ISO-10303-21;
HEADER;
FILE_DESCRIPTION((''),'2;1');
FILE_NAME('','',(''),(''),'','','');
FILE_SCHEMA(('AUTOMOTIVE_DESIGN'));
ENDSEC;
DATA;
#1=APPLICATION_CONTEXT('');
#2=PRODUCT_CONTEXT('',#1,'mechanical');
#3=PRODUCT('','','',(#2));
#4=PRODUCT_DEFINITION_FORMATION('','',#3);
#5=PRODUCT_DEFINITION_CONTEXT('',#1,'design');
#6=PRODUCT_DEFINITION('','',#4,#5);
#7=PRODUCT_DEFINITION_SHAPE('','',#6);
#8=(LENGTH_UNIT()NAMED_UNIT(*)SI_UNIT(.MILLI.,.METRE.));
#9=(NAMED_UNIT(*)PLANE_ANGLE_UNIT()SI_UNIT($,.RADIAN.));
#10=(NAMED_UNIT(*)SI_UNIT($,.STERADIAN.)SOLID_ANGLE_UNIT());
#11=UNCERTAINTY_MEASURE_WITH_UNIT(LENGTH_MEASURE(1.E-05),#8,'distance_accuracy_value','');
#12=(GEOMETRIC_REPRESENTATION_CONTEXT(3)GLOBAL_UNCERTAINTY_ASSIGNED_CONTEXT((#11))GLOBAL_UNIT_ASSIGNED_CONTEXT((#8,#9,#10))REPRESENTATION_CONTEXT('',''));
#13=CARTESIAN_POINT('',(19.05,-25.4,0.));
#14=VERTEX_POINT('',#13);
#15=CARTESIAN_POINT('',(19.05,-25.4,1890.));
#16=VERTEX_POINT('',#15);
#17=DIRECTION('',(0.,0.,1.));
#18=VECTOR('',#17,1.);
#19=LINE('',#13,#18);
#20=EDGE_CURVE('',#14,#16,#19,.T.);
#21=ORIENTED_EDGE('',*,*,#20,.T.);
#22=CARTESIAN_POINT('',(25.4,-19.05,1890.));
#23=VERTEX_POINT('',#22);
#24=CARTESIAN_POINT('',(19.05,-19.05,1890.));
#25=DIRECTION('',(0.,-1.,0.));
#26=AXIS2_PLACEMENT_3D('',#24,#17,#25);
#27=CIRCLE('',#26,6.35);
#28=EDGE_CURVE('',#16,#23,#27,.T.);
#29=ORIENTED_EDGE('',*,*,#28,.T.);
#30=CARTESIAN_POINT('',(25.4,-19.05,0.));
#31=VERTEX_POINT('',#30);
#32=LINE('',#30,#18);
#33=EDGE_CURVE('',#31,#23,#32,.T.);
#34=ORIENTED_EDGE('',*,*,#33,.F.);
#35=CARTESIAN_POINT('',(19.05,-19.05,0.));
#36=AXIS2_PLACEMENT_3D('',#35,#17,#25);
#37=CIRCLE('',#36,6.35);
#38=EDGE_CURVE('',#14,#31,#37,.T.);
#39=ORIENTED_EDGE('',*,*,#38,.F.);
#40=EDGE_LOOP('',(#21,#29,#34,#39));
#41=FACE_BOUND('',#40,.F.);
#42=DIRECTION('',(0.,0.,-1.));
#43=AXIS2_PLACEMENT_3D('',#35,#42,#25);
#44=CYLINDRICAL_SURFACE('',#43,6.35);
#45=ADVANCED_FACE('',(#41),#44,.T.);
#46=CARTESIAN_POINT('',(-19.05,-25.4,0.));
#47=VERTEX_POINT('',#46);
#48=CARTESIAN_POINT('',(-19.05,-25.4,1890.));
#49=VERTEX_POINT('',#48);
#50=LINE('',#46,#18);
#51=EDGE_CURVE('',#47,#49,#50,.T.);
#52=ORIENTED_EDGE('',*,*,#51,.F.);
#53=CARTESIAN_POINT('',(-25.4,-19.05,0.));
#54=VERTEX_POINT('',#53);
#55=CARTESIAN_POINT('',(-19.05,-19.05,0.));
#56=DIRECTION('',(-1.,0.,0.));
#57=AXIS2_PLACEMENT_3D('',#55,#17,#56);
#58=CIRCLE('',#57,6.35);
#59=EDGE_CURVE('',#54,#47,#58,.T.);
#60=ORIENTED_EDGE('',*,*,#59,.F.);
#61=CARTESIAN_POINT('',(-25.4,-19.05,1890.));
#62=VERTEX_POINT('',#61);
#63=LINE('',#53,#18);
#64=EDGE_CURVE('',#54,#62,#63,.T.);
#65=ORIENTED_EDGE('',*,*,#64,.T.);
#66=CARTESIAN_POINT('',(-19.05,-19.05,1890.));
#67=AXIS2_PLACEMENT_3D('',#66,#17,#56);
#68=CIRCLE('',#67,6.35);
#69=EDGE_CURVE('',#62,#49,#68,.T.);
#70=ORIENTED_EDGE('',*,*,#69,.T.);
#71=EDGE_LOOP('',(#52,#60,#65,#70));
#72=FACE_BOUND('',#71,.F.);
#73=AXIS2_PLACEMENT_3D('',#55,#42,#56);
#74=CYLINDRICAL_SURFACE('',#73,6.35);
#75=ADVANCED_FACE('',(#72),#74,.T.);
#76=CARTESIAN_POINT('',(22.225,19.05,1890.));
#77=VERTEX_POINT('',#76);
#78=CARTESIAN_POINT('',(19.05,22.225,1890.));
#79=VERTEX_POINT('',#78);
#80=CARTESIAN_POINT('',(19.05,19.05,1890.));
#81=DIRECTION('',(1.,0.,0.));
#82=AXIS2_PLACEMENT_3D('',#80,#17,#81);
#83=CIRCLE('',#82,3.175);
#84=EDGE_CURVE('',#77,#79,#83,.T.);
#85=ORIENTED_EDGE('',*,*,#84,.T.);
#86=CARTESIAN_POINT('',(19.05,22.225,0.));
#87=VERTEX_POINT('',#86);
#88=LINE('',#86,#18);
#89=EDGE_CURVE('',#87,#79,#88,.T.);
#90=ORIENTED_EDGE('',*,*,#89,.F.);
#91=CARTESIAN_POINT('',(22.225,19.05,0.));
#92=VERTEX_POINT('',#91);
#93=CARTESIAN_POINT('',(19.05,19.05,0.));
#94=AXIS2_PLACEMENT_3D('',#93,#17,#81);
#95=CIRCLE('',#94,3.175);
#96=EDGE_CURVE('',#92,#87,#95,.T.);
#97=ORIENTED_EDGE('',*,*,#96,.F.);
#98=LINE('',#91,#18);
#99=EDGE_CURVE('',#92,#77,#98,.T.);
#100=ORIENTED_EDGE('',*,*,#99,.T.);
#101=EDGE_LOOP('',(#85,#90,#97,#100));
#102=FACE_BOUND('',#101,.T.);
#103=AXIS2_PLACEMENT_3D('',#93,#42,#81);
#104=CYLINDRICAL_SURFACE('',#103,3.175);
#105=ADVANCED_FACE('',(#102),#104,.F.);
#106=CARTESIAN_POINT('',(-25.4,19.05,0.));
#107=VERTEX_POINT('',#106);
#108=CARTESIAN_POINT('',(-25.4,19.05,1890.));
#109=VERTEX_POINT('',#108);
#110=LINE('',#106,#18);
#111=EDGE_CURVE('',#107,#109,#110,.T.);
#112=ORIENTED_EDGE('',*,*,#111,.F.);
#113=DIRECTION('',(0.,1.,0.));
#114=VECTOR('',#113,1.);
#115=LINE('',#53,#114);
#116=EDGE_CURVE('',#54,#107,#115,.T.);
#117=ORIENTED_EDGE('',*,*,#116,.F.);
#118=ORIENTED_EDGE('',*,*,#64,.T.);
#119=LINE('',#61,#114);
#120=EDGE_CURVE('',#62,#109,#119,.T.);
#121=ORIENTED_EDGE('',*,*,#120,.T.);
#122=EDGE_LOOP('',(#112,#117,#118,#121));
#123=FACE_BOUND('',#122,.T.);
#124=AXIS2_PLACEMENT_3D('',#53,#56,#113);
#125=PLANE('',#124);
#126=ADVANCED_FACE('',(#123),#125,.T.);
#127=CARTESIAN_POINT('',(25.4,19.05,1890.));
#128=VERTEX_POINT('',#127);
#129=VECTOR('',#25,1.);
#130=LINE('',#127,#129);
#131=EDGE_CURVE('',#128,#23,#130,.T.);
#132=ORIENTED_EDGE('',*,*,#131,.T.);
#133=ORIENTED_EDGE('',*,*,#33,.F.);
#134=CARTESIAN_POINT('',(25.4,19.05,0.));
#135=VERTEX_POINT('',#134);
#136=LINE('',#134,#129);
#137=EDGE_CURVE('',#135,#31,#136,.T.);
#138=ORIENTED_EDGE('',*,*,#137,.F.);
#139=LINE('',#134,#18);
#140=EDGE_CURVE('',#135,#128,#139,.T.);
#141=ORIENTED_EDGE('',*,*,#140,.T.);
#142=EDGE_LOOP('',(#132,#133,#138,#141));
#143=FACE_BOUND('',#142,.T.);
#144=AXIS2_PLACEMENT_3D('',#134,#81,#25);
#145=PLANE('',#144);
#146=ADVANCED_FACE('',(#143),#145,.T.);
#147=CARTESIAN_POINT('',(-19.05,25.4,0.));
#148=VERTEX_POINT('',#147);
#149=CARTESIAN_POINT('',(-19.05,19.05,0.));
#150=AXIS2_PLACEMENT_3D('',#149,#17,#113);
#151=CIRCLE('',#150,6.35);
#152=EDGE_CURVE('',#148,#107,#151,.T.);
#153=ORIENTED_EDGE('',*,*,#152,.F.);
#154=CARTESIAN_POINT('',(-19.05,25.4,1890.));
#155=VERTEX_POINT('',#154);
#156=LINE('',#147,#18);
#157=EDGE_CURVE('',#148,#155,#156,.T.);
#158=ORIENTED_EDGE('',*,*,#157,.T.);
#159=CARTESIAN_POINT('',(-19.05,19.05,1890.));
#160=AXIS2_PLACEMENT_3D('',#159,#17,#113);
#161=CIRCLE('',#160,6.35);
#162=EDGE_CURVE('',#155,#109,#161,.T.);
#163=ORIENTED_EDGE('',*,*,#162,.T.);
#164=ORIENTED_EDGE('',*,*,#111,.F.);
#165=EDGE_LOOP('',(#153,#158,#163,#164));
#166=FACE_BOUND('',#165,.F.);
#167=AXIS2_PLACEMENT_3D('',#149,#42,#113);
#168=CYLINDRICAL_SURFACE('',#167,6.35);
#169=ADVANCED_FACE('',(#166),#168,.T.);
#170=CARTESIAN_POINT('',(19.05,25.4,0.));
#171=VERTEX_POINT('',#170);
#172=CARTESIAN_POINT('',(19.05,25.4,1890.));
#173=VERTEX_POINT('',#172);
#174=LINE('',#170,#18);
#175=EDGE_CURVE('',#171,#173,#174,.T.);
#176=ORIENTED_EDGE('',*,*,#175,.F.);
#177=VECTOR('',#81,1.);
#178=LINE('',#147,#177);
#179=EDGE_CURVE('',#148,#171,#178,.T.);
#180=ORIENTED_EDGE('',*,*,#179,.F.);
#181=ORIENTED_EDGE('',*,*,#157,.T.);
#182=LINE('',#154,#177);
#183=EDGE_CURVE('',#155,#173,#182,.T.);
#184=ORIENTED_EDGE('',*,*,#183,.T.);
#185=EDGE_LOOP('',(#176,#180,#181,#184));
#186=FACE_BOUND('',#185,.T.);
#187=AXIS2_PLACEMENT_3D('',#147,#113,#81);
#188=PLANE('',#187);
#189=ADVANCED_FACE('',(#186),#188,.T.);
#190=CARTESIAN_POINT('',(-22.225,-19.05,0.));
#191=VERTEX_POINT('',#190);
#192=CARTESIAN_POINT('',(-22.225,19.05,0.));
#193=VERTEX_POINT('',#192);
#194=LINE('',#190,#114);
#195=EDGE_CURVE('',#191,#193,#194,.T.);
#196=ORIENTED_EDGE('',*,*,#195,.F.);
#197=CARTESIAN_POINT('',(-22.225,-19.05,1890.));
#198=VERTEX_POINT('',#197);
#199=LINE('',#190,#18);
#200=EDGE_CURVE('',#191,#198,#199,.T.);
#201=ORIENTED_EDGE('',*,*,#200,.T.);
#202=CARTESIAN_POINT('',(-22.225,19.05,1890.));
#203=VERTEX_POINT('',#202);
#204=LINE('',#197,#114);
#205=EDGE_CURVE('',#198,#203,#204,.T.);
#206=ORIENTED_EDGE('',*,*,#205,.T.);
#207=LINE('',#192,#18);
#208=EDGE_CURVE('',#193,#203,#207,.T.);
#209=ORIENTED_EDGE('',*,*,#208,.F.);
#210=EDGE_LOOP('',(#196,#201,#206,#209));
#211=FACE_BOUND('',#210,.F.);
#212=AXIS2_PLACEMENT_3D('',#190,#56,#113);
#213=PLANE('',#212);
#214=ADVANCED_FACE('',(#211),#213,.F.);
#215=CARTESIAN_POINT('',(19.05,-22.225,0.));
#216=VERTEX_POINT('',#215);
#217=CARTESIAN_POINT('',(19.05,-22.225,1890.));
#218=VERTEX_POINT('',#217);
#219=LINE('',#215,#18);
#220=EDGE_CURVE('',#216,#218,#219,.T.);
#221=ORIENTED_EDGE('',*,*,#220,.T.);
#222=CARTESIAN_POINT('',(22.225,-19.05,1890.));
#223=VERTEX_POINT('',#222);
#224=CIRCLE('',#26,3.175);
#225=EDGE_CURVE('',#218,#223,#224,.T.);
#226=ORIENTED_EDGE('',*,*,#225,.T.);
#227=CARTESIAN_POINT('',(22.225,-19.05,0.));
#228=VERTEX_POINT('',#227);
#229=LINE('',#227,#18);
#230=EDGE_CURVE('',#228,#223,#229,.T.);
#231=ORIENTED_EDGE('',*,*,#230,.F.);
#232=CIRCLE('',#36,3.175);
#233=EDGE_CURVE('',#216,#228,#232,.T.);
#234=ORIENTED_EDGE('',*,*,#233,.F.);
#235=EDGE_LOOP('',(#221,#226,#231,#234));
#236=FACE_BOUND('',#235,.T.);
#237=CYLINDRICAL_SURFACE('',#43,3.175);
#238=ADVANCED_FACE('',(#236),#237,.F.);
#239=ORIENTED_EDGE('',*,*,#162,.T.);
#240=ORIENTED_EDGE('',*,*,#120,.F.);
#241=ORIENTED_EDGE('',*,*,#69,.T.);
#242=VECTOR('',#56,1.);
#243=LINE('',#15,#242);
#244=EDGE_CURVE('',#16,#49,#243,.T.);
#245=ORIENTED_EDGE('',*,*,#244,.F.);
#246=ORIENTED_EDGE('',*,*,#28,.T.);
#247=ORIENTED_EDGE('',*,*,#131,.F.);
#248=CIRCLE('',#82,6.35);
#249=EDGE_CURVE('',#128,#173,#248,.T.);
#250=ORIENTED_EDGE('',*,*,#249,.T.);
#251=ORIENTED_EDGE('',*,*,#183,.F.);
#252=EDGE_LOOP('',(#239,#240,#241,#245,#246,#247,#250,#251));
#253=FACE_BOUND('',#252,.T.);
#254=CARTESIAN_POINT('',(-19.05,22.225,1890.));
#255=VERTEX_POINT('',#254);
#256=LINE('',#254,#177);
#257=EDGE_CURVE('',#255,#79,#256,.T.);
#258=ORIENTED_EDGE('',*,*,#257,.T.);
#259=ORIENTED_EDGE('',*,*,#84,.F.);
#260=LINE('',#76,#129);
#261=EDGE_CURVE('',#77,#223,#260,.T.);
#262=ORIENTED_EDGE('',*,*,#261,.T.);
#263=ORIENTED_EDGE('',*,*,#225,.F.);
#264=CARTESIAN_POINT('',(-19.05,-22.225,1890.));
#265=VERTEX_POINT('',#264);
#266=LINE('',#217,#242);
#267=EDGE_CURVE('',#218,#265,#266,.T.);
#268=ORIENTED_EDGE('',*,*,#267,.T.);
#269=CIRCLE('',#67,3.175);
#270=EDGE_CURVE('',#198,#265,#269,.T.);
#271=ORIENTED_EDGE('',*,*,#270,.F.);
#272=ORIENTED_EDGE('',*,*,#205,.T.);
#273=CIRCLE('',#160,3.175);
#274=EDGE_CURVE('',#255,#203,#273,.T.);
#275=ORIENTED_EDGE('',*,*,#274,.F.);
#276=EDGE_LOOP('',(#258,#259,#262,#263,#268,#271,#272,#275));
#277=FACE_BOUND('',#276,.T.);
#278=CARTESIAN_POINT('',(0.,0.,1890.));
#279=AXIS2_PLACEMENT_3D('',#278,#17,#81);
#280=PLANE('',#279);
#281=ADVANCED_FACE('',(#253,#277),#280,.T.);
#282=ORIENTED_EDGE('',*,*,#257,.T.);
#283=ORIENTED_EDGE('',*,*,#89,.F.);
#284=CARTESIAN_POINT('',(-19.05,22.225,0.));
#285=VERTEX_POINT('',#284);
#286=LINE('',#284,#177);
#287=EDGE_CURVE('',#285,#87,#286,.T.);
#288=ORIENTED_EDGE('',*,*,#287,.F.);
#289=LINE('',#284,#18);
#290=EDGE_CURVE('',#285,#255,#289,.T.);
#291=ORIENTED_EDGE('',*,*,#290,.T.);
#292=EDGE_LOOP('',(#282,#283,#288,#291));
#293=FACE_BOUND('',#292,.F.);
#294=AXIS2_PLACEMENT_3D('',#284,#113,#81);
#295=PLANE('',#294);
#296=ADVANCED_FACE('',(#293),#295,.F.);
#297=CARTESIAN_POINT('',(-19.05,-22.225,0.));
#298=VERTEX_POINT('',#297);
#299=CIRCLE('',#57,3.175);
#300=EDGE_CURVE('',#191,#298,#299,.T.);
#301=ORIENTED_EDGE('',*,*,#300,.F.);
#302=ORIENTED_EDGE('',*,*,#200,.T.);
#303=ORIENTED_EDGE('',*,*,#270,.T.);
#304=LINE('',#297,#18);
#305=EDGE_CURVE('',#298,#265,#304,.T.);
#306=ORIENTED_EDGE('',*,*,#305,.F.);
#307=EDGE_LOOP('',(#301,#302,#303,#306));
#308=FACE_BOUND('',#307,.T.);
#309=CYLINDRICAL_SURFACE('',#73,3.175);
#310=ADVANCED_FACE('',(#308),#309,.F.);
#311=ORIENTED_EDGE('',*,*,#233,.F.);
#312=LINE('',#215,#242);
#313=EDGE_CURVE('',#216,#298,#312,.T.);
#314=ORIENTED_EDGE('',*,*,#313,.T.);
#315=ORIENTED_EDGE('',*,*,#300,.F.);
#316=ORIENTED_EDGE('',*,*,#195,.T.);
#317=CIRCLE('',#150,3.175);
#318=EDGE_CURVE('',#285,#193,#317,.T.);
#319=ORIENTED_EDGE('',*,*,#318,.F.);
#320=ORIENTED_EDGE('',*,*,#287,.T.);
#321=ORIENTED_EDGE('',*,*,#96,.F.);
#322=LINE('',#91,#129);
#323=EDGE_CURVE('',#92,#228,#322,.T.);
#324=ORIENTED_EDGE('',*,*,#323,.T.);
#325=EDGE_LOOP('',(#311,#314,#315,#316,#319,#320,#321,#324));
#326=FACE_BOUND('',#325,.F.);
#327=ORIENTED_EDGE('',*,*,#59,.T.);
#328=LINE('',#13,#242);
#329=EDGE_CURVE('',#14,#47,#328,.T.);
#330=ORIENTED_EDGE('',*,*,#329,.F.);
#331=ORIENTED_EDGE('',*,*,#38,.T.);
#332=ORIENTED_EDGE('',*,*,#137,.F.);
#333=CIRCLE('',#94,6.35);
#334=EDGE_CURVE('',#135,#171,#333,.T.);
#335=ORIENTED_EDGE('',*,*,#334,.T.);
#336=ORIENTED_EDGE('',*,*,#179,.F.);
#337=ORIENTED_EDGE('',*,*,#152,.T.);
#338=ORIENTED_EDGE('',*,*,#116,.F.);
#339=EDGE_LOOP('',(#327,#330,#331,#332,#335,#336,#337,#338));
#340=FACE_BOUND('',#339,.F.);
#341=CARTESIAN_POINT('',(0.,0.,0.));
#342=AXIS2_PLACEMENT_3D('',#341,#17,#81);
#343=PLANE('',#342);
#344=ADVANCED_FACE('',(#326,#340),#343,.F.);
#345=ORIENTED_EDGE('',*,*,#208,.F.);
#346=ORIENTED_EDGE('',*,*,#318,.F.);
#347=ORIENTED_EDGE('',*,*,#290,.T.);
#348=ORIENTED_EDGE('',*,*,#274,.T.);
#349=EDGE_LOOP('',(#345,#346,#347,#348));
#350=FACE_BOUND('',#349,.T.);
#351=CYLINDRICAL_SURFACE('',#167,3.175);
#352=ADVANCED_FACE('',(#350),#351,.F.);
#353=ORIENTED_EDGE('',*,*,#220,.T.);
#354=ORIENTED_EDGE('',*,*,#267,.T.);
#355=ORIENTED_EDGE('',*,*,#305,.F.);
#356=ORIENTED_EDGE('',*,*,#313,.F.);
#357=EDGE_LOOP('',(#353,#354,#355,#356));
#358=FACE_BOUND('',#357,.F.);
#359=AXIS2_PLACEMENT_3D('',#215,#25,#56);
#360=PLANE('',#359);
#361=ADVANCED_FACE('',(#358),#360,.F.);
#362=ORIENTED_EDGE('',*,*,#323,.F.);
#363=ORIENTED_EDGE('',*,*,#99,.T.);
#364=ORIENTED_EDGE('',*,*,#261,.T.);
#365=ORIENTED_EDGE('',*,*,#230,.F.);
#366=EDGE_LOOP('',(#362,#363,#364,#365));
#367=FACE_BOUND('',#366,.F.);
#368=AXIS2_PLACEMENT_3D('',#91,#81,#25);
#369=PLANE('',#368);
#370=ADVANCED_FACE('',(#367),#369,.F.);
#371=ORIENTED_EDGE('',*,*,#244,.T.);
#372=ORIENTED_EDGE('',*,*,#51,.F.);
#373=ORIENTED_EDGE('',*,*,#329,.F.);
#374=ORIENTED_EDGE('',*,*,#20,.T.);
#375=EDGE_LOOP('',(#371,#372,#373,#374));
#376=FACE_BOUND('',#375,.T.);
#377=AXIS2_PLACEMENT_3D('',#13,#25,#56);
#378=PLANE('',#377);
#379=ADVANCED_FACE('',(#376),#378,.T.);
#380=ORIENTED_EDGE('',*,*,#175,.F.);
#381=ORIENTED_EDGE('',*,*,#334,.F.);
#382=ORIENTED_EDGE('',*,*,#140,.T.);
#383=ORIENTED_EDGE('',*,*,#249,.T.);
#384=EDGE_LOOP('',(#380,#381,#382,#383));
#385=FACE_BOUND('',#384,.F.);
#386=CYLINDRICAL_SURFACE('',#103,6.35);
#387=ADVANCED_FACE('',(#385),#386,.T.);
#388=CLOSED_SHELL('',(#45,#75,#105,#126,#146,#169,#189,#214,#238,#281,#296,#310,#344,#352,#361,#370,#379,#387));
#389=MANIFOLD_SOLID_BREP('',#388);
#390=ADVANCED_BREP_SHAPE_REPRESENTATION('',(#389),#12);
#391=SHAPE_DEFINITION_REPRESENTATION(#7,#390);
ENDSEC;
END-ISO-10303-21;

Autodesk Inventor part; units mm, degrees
ref_plane "YZ Plane" through (0, 0, 0) normal (1, 0, 0) x (0, 1, 0)
ref_plane "Plano inicial" through (0, 0, 0) normal (0, 0, 1) x (1, 0, 0)
ref_plane "Plano final" through (0, 0, 1890) normal (0, 0, 1) x (1, 0, 0)
sketch "Boceto" plane through (0, 0, 0) normal (0, 0, 1) x (1, 0, 0)
  line L0 (-25.4, -19.05) -> (-25.4, 19.05)
  line L1 (-19.05, 25.4) -> (19.05, 25.4)
  line L2 (25.4, 19.05) -> (25.4, -19.05)
  line L3 (19.05, -25.4) -> (-19.05, -25.4)
  arc A0 (-25.4, -19.05) -> (-19.05, -25.4) centre (-19.05, -19.05) ccw
  arc A1 (-19.05, 25.4) -> (-25.4, 19.05) centre (-19.05, 19.05) ccw
  arc A2 (25.4, 19.05) -> (19.05, 25.4) centre (19.05, 19.05) ccw
  arc A3 (19.05, -25.4) -> (25.4, -19.05) centre (19.05, -19.05) ccw
  arc A4 (-19.05, 22.225) -> (-22.225, 19.05) centre (-19.05, 19.05) ccw
  line L4 (-19.05, 22.225) -> (19.05, 22.225)
  arc A5 (22.225, 19.05) -> (19.05, 22.225) centre (19.05, 19.05) ccw
  line L5 (22.225, 19.05) -> (22.225, -19.05)
  arc A6 (19.05, -22.225) -> (22.225, -19.05) centre (19.05, -19.05) ccw
  line L6 (19.05, -22.225) -> (-19.05, -22.225)
  arc A7 (-22.225, -19.05) -> (-19.05, -22.225) centre (-19.05, -19.05) ccw
  line L7 (-22.225, -19.05) -> (-22.225, 19.05)
  line L8 (0, 37.4012) -> (0, -37.4012) construction
  line L9 (-37.4012, 0) -> (37.4012, 0) construction
  dimension "d10" = 50.8
  dimension "d11" = 50.8
  dimension "d12" = 3.175
  dimension "d15" = 25.4
  dimension "d16" = 25.4
  dimension "d17" = 6.35
extrude "Cuerpo" add sketch "Boceto" along normal up to surface (1890 mm away) from surface at 0
sketch "Sketch3" plane through (0, 0, 0) normal (0, 0, 1) x (1, 0, 0)
  line L0 (0, 0) -> (10, 0)
ref_plane "Work Plane3" through (0, 0, 0) normal (0, -1, 0) x (1, 0, 0)
sketch "Sketch4" plane through (0, 0, 0) normal (0, -1, 0) x (1, 0, 0)
  line L0 (-2, 0) -> (12, 0) projected
  line L1 (-2, 1890) -> (12, 1890) projected
  dimension "d19" = 1890
equation "\"d10\" = G_H"
equation "\"d11\" = G_W"
equation "\"d12\" = G_T"
equation "\"d15\" = 0.5 * d10"
equation "\"d16\" = 0.5 * d11"
equation "\"d17\" = G_IR"
equation "\"d3\" = G_L"
equation "\"G_W\" = 50.8"
equation "\"G_H\" = 50.8"
equation "\"G_T\" = 3.175"
equation "\"G_IR\" = 6.35"
equation "\"G_L\" = d19"
equation "\"G_OFFSET_START\" = 0"
equation "\"G_OFFSET_END\" = 0"
equation "\"d14\" = G_OFFSET_END + B_L"
equation "\"B_L\" = 1890"
properties part number "AISC - 2 x 2 x 1/8 - 74,409" material "Acero, suave"
